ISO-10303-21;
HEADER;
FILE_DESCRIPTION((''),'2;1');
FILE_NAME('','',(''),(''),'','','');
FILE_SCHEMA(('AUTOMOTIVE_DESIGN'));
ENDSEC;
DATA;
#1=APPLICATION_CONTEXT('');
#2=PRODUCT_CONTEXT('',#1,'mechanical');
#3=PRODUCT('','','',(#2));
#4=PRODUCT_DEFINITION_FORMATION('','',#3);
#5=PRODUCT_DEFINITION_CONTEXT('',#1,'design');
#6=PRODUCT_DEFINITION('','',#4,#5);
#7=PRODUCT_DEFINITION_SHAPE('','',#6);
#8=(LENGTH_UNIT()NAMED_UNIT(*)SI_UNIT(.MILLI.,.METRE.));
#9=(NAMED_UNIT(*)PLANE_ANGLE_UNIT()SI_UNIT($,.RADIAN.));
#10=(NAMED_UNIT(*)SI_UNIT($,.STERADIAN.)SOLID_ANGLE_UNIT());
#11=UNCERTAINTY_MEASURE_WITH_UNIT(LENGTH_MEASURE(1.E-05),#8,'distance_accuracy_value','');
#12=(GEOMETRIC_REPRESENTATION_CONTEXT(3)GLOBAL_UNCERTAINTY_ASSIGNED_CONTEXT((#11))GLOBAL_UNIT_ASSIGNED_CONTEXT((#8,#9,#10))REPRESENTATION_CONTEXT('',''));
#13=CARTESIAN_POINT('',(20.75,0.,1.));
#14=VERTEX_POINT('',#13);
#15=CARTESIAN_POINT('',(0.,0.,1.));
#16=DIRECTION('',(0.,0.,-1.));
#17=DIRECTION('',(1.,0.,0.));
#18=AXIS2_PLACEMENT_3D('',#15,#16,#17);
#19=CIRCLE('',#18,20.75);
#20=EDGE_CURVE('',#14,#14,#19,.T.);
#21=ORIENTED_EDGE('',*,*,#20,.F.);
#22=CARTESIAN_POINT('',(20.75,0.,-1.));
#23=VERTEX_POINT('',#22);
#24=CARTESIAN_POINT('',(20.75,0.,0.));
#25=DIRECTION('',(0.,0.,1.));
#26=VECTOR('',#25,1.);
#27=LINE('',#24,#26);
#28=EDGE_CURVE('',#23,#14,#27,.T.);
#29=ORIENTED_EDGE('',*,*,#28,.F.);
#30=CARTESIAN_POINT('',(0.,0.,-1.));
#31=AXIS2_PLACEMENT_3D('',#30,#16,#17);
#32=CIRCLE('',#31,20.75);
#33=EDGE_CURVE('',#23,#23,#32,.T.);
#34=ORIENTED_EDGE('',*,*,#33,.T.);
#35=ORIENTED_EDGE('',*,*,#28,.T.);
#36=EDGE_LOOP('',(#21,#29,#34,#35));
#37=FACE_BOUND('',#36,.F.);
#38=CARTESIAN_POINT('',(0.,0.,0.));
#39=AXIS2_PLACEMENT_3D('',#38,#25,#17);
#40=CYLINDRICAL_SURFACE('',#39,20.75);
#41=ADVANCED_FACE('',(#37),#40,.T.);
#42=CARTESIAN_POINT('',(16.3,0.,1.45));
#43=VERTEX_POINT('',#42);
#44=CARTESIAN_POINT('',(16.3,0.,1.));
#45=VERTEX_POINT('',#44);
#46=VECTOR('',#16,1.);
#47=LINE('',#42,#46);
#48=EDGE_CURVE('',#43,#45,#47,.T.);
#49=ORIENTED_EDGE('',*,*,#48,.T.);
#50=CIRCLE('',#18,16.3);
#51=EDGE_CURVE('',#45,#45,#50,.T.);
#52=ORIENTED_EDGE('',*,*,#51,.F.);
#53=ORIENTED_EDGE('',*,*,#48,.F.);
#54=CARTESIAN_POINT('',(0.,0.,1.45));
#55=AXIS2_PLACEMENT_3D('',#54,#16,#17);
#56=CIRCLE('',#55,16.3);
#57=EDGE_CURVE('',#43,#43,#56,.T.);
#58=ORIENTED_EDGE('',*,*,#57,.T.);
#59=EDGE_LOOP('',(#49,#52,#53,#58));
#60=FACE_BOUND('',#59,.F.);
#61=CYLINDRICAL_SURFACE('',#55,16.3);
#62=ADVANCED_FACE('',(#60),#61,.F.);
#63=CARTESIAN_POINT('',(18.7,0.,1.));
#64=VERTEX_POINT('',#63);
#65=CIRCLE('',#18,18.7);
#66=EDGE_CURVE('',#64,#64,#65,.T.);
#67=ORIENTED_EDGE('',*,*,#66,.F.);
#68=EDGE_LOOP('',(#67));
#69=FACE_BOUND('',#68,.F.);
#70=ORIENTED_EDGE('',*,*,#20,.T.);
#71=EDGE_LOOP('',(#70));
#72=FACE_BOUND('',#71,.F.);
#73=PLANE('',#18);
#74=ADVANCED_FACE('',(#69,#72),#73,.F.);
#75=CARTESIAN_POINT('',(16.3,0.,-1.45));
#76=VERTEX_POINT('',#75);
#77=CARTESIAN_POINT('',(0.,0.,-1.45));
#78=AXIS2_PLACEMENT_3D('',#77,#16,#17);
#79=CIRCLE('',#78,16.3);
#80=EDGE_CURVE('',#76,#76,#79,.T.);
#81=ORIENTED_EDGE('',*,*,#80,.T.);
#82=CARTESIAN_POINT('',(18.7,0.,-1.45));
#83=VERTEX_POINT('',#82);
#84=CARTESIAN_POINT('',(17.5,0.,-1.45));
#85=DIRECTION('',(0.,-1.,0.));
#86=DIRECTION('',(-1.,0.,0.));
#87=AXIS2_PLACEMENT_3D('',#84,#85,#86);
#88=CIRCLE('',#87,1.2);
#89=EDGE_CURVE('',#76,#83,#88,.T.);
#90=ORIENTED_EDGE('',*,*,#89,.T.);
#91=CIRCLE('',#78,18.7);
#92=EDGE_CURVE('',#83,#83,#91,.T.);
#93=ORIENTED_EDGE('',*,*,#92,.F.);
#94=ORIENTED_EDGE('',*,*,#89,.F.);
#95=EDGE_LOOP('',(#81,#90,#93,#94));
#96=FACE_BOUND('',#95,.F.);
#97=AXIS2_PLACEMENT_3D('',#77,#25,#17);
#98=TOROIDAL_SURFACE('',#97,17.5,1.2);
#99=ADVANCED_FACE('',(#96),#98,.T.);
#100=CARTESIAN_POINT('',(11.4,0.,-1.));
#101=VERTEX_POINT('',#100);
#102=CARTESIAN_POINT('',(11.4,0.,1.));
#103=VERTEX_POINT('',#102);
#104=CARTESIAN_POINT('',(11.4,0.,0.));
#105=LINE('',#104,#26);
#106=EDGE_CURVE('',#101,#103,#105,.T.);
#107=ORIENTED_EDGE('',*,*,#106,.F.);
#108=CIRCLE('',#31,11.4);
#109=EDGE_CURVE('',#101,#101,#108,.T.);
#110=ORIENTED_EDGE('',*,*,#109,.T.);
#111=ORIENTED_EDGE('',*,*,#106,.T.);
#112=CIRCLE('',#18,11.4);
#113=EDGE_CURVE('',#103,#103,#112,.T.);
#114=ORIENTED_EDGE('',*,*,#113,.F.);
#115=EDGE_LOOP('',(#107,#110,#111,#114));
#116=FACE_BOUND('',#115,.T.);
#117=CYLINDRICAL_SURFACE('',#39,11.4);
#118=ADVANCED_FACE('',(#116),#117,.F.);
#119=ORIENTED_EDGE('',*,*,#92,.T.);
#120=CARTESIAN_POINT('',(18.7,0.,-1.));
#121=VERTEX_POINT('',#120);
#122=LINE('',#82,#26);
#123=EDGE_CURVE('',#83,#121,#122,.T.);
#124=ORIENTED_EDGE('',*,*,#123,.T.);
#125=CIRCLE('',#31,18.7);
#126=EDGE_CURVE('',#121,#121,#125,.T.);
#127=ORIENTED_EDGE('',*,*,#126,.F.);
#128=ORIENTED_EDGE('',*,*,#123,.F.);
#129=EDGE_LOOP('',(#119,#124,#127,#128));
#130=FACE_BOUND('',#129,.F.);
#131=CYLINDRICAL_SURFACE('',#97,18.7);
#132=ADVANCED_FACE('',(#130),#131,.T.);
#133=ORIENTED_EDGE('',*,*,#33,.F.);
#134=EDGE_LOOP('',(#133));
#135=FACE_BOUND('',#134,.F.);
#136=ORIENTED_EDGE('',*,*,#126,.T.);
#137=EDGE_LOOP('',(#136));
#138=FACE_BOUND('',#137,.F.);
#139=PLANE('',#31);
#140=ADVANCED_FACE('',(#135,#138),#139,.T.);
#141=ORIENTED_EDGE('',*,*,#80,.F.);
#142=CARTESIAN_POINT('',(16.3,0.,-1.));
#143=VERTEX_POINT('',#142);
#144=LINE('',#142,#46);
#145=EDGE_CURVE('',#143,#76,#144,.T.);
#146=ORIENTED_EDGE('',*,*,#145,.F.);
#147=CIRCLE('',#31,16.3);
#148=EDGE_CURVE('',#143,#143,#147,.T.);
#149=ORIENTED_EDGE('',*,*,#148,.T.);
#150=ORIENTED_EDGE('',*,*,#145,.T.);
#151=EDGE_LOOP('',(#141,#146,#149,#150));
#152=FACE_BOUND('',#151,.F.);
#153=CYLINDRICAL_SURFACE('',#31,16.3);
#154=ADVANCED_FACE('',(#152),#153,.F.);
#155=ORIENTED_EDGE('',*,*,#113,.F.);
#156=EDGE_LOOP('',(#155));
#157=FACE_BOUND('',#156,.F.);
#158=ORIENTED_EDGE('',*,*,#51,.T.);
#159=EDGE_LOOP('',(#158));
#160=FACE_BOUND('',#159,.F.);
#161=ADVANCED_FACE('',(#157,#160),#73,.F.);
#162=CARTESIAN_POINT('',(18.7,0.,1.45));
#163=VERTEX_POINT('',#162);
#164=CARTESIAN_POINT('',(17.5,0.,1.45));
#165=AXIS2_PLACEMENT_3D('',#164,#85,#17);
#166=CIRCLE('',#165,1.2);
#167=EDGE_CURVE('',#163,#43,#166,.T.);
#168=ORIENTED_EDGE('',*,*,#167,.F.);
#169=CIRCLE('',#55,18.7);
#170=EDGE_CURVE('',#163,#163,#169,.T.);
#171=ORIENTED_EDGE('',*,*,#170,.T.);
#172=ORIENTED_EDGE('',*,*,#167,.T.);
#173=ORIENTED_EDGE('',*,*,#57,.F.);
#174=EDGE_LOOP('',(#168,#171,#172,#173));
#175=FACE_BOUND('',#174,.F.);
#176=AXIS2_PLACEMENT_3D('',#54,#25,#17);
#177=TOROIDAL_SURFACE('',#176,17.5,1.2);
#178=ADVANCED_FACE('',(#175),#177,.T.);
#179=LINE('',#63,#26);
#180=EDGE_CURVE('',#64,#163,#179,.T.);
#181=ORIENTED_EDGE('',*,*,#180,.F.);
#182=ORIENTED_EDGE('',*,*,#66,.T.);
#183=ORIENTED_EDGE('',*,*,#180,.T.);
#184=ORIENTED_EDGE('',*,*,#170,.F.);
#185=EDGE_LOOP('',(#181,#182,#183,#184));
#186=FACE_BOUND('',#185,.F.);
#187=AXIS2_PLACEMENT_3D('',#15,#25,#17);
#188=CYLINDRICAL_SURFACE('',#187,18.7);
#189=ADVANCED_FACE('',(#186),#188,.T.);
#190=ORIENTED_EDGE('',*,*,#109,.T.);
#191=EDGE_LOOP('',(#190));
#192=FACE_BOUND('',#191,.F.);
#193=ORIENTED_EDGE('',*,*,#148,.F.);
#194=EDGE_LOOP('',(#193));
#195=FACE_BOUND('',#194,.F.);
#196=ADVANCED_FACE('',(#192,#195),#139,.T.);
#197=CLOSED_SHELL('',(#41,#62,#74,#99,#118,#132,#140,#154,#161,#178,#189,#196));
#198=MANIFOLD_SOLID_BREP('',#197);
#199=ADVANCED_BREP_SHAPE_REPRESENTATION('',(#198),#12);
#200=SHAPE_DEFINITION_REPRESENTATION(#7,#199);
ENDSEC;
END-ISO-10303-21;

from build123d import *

# Parameters (mm, degrees)
F0_W   = 4.9
F0_H   = 2
F0_W_2 = 2.4
F0_W_3 = 2.05


with BuildPart() as f1:
    # F0 (on Front) → F1 (revolve)
    with BuildSketch(Plane.XZ):
        with Locations((13.85, 0)):
            Rectangle(F0_W, F0_H)
        with Locations((17.5, 0)):
            Rectangle(F0_W_2, F0_H)
        with BuildLine():
            Line((18.7, -1), (16.3, -1))
            Line((16.3, -1), (16.3, -1.45))
            ThreePointArc((16.3, -1.45), (17.5, -2.65), (18.7, -1.45))
            Line((18.7, -1.45), (18.7, -1))
        make_face()
        with Locations((19.725, 0)):
            Rectangle(F0_W_3, F0_H)
        with BuildLine():
            Line((16.3, 1.45), (16.3, 1))
            Line((16.3, 1), (18.7, 1))
            Line((18.7, 1), (18.7, 1.45))
            ThreePointArc((18.7, 1.45), (17.5, 2.65), (16.3, 1.45))
        make_face()
    revolve(axis=Axis((0, 0, 1.4775786549), (0, 0, -1)))


solid = f1.part
